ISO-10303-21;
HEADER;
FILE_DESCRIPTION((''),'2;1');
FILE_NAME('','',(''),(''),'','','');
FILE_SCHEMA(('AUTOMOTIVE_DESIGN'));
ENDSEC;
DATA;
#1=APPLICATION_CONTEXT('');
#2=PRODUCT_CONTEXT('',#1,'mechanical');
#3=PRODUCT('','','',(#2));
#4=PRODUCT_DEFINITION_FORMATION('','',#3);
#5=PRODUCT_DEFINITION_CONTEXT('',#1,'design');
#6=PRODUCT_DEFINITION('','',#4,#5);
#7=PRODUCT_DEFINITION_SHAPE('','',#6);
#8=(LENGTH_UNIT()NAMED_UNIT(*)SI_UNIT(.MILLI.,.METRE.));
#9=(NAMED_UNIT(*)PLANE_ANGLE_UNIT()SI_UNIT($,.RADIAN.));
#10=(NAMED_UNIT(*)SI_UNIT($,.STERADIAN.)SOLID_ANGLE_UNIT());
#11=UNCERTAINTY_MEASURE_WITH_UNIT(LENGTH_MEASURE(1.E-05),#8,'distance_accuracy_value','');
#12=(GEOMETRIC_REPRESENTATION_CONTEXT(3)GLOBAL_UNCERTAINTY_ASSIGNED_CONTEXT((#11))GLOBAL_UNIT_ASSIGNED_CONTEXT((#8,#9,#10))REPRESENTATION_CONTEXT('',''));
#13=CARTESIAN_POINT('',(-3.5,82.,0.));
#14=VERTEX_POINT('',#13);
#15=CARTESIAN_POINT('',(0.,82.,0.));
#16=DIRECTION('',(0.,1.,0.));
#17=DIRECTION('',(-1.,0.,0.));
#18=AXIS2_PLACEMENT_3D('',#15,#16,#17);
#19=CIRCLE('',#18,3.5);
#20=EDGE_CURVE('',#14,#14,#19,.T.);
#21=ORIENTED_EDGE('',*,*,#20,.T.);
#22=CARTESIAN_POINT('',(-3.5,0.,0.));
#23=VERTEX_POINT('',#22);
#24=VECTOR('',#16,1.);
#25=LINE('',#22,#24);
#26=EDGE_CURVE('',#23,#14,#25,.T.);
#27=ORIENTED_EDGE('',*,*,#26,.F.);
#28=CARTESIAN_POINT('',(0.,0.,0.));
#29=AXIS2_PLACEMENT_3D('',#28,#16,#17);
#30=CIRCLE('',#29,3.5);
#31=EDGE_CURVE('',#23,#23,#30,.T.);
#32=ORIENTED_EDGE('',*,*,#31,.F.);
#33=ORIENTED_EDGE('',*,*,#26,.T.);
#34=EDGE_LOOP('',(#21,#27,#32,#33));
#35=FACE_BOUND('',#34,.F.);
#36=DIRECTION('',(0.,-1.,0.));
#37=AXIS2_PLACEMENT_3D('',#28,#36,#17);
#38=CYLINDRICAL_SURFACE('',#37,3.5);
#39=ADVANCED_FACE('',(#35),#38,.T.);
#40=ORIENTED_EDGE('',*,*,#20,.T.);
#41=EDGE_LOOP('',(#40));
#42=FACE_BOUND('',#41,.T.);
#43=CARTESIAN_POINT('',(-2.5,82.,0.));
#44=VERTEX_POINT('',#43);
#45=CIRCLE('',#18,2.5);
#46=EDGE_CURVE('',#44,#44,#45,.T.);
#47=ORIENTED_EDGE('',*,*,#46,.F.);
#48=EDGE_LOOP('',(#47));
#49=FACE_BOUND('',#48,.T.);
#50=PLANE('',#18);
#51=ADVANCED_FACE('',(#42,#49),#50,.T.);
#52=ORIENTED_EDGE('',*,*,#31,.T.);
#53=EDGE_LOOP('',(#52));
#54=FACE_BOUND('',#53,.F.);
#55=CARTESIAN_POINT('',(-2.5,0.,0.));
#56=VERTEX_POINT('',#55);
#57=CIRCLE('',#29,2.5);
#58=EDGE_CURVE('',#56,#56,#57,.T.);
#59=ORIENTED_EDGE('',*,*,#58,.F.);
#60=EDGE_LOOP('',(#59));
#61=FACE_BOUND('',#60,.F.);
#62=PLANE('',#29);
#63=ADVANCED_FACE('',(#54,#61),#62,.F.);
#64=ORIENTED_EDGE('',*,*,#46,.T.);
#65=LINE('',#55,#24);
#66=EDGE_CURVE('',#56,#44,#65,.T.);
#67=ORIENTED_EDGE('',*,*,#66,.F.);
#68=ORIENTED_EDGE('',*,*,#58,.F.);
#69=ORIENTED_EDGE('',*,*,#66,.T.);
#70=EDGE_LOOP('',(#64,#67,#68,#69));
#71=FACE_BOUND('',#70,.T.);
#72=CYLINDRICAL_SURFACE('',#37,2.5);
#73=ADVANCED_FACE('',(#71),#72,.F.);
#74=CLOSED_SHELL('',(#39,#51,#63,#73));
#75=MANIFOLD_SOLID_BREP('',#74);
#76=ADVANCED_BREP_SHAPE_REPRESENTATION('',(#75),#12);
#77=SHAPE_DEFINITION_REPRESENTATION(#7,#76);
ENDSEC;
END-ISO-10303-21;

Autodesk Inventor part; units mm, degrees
ref_plane "YZ Plane" through (0, 0, 0) normal (1, 0, 0) x (0, 1, 0)
ref_plane "XZ Plane" through (0, 0, 0) normal (0, 1, 0) x (-1, 0, 0)
ref_plane "XY Plane" through (0, 0, 0) normal (0, 0, 1) x (1, 0, 0)
sketch "Sketch1" plane through (0, 0, 0) normal (0, 1, 0) x (-1, 0, 0)
  circle A0 centre (0, 0) radius 2.5
  circle A1 centre (0, 0) radius 3.5
  dimension "d0" = 5
  dimension "d1" = 7
extrude "Extrusion1" add sketch "Sketch1" along normal blind 82
properties part number "Lower_Rod_Spacer"
